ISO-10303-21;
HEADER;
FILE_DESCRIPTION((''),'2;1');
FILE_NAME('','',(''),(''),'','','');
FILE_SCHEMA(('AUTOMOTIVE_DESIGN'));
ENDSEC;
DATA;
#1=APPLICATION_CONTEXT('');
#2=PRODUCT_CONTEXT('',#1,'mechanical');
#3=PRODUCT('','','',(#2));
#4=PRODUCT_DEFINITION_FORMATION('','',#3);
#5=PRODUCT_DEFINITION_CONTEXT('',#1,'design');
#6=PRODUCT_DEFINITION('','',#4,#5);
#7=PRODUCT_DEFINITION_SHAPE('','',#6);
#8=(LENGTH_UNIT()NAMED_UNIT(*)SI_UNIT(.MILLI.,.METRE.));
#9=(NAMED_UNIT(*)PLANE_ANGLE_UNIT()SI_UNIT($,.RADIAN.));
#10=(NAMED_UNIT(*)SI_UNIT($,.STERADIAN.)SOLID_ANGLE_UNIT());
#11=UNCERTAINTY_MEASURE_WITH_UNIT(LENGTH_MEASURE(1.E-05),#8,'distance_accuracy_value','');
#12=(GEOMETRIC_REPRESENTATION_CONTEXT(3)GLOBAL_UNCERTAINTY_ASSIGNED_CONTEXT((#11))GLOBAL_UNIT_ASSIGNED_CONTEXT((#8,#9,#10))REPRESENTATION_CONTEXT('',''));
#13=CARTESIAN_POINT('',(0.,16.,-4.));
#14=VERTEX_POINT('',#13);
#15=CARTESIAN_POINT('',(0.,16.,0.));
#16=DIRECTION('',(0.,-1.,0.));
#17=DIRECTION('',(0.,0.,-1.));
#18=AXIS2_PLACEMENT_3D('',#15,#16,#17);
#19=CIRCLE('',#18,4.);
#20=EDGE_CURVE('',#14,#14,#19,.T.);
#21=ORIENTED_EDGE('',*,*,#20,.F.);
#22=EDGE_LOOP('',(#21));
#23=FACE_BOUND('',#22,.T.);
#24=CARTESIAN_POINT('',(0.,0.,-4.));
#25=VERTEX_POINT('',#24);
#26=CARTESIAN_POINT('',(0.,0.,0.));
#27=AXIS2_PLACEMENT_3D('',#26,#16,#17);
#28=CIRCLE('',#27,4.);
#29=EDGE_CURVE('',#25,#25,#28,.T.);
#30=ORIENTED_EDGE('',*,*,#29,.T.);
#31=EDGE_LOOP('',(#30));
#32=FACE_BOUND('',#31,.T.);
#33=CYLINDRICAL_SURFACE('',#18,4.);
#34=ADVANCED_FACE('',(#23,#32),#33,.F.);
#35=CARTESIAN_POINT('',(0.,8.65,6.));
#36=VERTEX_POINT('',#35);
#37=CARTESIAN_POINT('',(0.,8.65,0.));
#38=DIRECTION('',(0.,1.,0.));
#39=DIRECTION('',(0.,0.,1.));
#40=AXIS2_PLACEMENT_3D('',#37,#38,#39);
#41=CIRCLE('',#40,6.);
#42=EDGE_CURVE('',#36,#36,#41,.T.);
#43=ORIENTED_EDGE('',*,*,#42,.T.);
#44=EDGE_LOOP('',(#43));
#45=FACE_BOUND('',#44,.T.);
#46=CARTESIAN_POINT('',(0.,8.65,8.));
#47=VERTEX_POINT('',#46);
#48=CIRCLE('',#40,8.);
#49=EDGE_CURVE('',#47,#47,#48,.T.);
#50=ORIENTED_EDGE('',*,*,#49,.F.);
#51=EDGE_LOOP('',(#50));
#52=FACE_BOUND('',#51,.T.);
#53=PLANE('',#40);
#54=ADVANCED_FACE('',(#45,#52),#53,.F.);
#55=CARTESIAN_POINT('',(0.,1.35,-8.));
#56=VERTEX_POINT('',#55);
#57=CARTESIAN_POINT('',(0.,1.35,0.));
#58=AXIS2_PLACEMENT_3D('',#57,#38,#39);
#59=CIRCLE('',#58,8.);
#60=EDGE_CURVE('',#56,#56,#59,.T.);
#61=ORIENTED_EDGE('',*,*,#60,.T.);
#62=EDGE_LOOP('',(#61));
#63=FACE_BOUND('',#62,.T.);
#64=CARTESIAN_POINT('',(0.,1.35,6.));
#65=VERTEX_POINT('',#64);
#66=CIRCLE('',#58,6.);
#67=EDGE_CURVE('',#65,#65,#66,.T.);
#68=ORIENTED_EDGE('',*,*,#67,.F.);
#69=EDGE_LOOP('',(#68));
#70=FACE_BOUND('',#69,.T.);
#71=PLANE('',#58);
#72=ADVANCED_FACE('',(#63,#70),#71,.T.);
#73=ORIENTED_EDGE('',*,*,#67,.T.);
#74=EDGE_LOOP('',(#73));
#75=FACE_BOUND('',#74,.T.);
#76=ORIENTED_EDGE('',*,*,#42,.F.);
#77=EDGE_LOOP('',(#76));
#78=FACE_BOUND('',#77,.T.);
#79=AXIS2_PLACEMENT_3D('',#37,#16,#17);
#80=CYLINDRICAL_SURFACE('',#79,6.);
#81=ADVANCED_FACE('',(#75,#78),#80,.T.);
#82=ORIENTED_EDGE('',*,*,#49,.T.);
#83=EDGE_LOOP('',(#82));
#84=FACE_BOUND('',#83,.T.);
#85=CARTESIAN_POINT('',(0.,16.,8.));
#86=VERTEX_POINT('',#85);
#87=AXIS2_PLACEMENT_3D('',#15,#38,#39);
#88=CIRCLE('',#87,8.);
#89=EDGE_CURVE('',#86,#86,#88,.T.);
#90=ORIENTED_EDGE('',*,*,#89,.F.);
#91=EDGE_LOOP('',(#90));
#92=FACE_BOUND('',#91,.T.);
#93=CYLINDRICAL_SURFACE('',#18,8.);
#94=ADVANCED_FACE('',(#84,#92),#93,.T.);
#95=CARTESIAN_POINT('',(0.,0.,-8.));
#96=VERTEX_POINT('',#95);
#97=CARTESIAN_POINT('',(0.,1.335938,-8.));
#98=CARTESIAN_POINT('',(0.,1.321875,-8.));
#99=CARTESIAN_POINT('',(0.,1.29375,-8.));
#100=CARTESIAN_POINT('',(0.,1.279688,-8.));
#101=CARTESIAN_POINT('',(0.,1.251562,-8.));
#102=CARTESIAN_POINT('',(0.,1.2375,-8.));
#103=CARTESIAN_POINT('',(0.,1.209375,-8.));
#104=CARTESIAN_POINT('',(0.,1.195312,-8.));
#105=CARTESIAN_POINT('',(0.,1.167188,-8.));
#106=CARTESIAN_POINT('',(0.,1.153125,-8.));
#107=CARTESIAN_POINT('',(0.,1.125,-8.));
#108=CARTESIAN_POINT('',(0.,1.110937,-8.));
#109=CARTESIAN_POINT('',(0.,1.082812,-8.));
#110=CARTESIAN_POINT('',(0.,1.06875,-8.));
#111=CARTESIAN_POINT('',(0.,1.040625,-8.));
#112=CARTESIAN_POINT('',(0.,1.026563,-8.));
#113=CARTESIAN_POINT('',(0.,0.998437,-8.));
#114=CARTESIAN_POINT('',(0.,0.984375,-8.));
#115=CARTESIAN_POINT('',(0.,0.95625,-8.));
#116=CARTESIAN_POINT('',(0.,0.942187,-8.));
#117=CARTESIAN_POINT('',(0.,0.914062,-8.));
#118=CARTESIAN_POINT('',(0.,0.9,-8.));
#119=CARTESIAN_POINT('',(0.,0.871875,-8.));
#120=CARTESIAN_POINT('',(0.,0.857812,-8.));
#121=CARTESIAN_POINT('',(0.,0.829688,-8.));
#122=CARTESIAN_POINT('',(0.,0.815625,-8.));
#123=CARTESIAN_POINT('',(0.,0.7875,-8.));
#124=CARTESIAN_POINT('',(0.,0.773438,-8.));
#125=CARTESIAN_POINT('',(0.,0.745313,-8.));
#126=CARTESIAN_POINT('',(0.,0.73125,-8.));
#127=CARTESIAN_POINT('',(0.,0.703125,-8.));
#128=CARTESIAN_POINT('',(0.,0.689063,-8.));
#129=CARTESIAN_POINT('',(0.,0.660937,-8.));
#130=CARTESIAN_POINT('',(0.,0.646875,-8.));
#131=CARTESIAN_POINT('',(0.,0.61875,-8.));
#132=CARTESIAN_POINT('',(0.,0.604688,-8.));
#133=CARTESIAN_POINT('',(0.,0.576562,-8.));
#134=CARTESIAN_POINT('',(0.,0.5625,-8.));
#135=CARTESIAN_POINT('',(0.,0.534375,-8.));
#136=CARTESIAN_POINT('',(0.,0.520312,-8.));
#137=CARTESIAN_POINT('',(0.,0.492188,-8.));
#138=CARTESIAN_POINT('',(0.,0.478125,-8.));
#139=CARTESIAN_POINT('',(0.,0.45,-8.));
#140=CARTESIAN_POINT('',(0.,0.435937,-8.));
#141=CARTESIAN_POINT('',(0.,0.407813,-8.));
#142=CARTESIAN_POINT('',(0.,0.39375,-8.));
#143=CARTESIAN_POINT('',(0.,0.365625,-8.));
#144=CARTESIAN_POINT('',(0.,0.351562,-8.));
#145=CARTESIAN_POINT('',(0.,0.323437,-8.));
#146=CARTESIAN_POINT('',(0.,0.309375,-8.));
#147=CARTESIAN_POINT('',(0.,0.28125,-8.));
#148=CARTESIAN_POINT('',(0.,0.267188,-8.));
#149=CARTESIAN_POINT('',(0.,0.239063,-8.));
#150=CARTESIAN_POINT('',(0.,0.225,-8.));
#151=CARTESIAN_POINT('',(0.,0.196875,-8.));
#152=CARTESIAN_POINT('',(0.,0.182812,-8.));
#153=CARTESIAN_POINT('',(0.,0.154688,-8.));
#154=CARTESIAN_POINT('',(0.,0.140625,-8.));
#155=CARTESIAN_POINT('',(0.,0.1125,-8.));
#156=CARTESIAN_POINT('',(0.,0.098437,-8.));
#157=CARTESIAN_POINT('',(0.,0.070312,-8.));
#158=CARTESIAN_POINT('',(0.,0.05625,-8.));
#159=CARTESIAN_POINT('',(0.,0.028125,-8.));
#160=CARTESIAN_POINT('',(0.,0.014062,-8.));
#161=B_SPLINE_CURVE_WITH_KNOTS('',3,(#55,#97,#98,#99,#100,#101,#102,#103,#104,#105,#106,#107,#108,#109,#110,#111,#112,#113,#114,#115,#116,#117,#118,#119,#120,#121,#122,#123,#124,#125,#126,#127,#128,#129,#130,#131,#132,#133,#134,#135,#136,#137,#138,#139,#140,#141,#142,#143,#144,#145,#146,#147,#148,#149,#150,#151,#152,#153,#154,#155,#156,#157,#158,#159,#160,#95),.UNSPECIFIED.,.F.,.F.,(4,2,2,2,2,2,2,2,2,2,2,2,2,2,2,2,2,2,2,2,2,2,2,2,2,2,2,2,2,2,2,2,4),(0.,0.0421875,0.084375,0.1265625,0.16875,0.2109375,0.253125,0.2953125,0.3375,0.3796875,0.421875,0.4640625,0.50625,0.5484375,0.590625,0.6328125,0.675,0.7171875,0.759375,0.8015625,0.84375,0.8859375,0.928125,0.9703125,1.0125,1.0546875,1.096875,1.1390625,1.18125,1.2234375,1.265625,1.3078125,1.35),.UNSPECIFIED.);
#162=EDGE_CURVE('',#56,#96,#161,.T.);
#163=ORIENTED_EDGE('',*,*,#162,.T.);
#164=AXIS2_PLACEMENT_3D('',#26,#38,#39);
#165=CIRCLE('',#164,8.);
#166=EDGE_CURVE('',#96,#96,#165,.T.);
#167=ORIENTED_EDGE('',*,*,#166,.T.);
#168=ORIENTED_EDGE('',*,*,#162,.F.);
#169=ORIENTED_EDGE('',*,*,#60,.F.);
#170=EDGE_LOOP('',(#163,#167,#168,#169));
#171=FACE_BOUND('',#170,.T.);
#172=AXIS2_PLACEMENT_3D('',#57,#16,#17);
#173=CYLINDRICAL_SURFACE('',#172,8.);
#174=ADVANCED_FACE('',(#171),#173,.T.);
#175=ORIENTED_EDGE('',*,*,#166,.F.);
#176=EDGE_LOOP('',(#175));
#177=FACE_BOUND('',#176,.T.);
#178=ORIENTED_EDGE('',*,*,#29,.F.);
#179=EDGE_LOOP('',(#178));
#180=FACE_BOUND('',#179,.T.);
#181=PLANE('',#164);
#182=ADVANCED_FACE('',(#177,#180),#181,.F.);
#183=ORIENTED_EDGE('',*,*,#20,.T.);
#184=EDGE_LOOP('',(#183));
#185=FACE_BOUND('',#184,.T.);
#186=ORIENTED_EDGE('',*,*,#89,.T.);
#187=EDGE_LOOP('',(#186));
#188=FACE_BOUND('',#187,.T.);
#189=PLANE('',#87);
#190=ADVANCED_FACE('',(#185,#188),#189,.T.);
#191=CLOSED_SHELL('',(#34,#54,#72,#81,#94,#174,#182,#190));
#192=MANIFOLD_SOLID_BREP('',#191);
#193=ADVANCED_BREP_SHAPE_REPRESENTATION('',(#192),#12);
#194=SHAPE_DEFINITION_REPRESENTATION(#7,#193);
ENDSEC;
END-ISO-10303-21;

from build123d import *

# Parameters (mm, degrees)
SKETCH_1_R          = 8
EXTRUDE_1_DEPTH     = 1.35
SKETCH_4_R          = 6
EXTRUDE_3_DEPTH     = 7.3
EXTRUDE_START       = 8.65
SKETCH_1_3_R        = 8
EXTRUDE_4_DEPTH     = 7.35
SKETCH_5_R          = 4
CUT_EXTRUDE_1_DEPTH = 20.595917942


with BuildPart() as part:
    # 草图1 → 凸台-拉伸1 (new body)
    with BuildSketch(Plane(origin=(0, 0, 0), x_dir=(1, 0, 0), z_dir=(0, 1, 0))):
        with Locations(Location((0, 0, 0), (0, 0, 90))):
            Circle(SKETCH_1_R)
    extrude(amount=EXTRUDE_1_DEPTH)

    # 草图4 → 凸台-拉伸3 (add)
    with BuildSketch(Plane(origin=(0, 1.35, 0), x_dir=(1, 0, 0), z_dir=(0, 1, 0))):
        with Locations(Location((0, 0, 0), (0, 0, 270))):
            Circle(SKETCH_4_R)
    extrude(amount=EXTRUDE_3_DEPTH)

    # 草图1<3> → 凸台-拉伸4 (add)
    with BuildSketch(Plane(origin=(0, 0, 0), x_dir=(1, 0, 0), z_dir=(0, 1, 0)).offset(EXTRUDE_START)):
        with Locations(Location((0, 0, 0), (0, 0, 90))):
            Circle(SKETCH_1_3_R)
    extrude(amount=EXTRUDE_4_DEPTH)

    # 草图5 → 切除-拉伸1 (cut, through all)
    with BuildSketch(Plane.XZ):
        with Locations(Location((0, 0, 0), (0, 0, 270))):
            Circle(SKETCH_5_R)
    extrude(amount=-CUT_EXTRUDE_1_DEPTH, mode=Mode.SUBTRACT)


solid = part.part
